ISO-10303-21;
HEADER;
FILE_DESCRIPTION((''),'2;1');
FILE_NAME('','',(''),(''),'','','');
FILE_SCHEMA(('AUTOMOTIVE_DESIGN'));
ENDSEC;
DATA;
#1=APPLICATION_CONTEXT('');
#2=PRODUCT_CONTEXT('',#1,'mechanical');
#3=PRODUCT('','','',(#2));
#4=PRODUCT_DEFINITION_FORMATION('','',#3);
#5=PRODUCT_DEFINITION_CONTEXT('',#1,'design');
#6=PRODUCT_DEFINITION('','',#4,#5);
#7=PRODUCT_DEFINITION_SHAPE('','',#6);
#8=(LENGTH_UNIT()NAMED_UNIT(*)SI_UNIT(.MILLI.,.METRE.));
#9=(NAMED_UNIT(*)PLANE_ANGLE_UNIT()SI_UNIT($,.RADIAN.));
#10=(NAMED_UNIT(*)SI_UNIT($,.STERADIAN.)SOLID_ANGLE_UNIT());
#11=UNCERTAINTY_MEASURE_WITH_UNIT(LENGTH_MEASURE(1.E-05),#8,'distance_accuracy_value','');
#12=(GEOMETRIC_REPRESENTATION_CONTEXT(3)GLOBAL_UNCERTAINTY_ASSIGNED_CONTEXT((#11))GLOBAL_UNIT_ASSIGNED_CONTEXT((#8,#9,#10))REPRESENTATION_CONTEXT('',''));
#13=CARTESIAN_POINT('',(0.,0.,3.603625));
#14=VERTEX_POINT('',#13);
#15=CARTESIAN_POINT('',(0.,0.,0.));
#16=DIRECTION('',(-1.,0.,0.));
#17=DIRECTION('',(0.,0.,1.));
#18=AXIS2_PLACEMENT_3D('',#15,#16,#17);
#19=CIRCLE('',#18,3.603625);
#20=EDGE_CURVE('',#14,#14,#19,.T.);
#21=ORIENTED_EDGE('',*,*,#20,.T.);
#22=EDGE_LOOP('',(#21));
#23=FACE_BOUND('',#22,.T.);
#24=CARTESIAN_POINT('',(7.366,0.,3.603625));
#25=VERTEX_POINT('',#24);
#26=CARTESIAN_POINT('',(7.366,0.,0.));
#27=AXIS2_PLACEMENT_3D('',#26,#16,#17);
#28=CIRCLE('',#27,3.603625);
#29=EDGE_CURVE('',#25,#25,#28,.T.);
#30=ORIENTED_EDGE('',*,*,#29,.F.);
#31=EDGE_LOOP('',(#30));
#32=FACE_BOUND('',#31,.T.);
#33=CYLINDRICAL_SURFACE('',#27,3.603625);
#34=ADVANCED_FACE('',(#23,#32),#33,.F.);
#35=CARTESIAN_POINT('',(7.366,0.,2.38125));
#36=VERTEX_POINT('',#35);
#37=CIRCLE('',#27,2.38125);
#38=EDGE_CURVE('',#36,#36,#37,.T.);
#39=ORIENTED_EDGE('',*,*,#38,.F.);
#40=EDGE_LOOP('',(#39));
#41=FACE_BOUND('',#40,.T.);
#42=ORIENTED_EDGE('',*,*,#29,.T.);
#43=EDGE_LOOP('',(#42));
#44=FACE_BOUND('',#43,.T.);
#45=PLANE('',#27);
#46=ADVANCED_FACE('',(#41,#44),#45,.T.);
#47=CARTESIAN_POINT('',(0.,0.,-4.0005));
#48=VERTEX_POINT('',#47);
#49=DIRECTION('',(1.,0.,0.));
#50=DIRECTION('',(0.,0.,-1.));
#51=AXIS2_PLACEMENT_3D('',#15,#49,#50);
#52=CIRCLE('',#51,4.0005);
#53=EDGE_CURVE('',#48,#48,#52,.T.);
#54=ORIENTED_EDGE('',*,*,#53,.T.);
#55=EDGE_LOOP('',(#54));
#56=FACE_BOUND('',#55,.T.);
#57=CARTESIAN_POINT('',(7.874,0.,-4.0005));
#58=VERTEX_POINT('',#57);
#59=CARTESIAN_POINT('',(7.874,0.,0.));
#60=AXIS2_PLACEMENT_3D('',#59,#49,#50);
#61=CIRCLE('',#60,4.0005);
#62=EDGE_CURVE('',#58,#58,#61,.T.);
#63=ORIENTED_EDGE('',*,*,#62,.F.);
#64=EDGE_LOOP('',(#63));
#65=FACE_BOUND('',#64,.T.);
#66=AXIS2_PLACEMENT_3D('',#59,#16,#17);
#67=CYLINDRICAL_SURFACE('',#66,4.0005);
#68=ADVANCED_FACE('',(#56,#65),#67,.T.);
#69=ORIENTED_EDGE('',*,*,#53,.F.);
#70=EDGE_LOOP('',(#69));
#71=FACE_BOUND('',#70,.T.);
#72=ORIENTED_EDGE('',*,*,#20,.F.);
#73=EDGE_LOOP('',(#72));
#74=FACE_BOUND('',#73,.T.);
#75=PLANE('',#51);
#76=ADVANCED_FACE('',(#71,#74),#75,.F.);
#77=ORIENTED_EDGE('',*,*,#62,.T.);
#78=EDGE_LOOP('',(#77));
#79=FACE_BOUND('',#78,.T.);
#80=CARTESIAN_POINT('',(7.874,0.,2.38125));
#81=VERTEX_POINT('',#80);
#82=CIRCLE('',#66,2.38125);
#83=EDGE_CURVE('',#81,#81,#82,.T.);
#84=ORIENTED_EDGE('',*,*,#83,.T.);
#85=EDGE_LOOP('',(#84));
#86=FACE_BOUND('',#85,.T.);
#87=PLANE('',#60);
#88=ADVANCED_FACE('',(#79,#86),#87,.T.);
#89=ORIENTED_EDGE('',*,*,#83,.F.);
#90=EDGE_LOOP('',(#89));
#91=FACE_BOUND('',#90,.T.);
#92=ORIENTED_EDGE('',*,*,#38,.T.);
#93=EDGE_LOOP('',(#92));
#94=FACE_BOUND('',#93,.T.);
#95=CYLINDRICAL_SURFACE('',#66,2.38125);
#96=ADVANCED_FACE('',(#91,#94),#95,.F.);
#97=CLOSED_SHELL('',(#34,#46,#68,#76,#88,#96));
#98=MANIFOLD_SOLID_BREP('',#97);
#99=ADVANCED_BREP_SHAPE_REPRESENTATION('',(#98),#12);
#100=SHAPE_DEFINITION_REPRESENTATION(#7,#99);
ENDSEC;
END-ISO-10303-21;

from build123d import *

# Parameters (mm, degrees)
SKETCH1_R          = 4.0005
EXTRUDE1_DEPTH     = 7.874
SKETCH2_R          = 3.603625
CUT_EXTRUDE1_DEPTH = 7.366
SKETCH3_R          = 2.38125
CUT_EXTRUDE2_DEPTH = 1.508


with BuildPart() as part:
    # Sketch1 → Extrude1 (new body)
    with BuildSketch(Plane(origin=(0, 0, 0), x_dir=(0, 0, -1), z_dir=(1, 0, 0))):
        Circle(SKETCH1_R)
    extrude(amount=EXTRUDE1_DEPTH)

    # Sketch2 → Cut-Extrude1 (cut)
    with BuildSketch(Plane.ZY):
        Circle(SKETCH2_R)
    extrude(amount=-CUT_EXTRUDE1_DEPTH, mode=Mode.SUBTRACT)

    # Sketch3 → Cut-Extrude2 (cut, through all)
    with BuildSketch(Plane.ZY.offset(-7.366)):
        Circle(SKETCH3_R)
    extrude(amount=-CUT_EXTRUDE2_DEPTH, mode=Mode.SUBTRACT)


solid = part.part
